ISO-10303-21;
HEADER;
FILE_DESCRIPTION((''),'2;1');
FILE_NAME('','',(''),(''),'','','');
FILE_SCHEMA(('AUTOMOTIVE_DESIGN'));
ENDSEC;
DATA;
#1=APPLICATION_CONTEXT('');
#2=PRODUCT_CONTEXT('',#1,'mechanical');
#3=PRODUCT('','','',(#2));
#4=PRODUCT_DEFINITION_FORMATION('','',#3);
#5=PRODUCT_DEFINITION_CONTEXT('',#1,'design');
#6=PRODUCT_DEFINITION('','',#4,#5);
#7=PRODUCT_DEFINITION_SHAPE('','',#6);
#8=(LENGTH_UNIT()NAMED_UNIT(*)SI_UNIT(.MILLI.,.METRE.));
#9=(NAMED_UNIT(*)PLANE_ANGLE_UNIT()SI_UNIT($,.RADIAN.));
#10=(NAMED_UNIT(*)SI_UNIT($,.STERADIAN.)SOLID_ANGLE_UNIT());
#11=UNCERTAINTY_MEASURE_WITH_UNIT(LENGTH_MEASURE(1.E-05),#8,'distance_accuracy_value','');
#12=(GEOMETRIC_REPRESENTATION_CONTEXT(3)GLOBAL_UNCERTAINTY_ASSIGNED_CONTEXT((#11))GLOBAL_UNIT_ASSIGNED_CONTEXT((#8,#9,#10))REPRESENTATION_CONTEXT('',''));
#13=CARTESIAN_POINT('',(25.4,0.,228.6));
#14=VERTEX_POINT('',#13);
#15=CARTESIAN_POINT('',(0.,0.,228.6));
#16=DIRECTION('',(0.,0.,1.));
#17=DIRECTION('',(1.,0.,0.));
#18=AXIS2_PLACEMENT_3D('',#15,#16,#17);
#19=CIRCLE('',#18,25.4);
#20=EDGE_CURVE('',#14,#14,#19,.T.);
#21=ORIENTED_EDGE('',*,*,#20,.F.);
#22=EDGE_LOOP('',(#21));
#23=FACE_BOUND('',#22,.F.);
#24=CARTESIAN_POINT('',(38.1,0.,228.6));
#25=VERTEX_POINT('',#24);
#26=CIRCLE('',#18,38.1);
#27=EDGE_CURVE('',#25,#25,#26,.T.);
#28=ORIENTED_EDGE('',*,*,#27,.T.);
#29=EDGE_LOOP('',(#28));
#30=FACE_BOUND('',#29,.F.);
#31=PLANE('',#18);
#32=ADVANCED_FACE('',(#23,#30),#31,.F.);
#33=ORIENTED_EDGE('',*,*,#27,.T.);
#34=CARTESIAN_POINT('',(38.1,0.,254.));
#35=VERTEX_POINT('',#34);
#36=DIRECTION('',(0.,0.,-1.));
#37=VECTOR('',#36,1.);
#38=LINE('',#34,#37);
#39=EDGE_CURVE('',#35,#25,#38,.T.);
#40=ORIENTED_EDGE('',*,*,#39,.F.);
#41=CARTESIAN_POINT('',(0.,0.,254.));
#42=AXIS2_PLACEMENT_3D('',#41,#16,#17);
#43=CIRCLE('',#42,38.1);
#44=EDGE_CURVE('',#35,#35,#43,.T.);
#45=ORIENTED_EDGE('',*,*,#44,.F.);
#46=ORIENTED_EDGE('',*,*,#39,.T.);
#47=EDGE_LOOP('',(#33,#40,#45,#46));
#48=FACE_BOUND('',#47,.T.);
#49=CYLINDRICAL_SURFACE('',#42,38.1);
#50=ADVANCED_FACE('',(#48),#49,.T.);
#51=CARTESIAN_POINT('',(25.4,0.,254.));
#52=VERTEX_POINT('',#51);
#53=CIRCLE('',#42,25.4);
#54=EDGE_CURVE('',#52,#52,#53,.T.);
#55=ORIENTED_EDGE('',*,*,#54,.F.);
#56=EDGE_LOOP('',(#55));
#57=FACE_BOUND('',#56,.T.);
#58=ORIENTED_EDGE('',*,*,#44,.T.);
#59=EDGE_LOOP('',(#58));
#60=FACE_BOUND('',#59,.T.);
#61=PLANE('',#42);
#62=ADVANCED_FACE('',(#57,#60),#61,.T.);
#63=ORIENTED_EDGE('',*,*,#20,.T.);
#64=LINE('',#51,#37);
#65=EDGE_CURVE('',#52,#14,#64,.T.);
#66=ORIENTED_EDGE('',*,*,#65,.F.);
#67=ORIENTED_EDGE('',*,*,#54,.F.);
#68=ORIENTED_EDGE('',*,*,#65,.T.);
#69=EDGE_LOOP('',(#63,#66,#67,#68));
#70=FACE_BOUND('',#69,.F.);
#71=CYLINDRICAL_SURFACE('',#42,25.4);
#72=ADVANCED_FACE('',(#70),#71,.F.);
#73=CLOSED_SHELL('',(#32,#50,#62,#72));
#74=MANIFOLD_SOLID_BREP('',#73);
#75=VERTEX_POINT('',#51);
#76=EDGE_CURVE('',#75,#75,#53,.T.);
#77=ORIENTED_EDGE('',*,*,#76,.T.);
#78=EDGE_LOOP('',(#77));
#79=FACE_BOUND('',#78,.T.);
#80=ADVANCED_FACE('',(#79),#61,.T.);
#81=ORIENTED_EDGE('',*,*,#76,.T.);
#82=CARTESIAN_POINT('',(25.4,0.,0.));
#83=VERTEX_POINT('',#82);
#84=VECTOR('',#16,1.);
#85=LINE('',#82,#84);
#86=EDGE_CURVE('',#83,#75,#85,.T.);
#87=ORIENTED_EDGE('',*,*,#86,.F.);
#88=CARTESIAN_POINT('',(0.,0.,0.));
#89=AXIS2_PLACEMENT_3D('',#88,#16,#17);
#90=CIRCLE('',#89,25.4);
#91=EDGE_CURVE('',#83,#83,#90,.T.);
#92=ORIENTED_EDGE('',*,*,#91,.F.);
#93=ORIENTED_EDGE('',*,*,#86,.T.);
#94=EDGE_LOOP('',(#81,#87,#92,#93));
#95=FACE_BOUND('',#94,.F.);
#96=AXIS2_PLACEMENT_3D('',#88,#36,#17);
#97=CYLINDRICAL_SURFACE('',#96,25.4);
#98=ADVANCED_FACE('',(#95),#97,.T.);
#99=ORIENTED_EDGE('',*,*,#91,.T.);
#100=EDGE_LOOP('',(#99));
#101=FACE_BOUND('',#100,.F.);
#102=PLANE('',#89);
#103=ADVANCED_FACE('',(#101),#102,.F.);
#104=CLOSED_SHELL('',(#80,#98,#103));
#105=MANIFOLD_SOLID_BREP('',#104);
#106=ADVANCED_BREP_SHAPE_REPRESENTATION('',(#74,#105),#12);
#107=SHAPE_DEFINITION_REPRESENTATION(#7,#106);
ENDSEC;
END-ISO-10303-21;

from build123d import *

# Parameters (mm, degrees)
F0_R     = 25.4
F1_DEPTH = 254
F2_R     = 38.1
F2_R_2   = 25.4
F3_DEPTH = 25.4


with BuildPart() as f1:
    # F0 (on Top) → F1 (new body)
    with BuildSketch(Plane.XY):
        Circle(F0_R)
    extrude(amount=F1_DEPTH)


with BuildPart() as f3:
    # F2 (on face) → F3 (new body)
    with BuildSketch(Plane.XY.offset(254)):
        Circle(F2_R)
        Circle(F2_R_2, mode=Mode.SUBTRACT)
    extrude(amount=-F3_DEPTH)


solid = Compound([f1.part, f3.part])
